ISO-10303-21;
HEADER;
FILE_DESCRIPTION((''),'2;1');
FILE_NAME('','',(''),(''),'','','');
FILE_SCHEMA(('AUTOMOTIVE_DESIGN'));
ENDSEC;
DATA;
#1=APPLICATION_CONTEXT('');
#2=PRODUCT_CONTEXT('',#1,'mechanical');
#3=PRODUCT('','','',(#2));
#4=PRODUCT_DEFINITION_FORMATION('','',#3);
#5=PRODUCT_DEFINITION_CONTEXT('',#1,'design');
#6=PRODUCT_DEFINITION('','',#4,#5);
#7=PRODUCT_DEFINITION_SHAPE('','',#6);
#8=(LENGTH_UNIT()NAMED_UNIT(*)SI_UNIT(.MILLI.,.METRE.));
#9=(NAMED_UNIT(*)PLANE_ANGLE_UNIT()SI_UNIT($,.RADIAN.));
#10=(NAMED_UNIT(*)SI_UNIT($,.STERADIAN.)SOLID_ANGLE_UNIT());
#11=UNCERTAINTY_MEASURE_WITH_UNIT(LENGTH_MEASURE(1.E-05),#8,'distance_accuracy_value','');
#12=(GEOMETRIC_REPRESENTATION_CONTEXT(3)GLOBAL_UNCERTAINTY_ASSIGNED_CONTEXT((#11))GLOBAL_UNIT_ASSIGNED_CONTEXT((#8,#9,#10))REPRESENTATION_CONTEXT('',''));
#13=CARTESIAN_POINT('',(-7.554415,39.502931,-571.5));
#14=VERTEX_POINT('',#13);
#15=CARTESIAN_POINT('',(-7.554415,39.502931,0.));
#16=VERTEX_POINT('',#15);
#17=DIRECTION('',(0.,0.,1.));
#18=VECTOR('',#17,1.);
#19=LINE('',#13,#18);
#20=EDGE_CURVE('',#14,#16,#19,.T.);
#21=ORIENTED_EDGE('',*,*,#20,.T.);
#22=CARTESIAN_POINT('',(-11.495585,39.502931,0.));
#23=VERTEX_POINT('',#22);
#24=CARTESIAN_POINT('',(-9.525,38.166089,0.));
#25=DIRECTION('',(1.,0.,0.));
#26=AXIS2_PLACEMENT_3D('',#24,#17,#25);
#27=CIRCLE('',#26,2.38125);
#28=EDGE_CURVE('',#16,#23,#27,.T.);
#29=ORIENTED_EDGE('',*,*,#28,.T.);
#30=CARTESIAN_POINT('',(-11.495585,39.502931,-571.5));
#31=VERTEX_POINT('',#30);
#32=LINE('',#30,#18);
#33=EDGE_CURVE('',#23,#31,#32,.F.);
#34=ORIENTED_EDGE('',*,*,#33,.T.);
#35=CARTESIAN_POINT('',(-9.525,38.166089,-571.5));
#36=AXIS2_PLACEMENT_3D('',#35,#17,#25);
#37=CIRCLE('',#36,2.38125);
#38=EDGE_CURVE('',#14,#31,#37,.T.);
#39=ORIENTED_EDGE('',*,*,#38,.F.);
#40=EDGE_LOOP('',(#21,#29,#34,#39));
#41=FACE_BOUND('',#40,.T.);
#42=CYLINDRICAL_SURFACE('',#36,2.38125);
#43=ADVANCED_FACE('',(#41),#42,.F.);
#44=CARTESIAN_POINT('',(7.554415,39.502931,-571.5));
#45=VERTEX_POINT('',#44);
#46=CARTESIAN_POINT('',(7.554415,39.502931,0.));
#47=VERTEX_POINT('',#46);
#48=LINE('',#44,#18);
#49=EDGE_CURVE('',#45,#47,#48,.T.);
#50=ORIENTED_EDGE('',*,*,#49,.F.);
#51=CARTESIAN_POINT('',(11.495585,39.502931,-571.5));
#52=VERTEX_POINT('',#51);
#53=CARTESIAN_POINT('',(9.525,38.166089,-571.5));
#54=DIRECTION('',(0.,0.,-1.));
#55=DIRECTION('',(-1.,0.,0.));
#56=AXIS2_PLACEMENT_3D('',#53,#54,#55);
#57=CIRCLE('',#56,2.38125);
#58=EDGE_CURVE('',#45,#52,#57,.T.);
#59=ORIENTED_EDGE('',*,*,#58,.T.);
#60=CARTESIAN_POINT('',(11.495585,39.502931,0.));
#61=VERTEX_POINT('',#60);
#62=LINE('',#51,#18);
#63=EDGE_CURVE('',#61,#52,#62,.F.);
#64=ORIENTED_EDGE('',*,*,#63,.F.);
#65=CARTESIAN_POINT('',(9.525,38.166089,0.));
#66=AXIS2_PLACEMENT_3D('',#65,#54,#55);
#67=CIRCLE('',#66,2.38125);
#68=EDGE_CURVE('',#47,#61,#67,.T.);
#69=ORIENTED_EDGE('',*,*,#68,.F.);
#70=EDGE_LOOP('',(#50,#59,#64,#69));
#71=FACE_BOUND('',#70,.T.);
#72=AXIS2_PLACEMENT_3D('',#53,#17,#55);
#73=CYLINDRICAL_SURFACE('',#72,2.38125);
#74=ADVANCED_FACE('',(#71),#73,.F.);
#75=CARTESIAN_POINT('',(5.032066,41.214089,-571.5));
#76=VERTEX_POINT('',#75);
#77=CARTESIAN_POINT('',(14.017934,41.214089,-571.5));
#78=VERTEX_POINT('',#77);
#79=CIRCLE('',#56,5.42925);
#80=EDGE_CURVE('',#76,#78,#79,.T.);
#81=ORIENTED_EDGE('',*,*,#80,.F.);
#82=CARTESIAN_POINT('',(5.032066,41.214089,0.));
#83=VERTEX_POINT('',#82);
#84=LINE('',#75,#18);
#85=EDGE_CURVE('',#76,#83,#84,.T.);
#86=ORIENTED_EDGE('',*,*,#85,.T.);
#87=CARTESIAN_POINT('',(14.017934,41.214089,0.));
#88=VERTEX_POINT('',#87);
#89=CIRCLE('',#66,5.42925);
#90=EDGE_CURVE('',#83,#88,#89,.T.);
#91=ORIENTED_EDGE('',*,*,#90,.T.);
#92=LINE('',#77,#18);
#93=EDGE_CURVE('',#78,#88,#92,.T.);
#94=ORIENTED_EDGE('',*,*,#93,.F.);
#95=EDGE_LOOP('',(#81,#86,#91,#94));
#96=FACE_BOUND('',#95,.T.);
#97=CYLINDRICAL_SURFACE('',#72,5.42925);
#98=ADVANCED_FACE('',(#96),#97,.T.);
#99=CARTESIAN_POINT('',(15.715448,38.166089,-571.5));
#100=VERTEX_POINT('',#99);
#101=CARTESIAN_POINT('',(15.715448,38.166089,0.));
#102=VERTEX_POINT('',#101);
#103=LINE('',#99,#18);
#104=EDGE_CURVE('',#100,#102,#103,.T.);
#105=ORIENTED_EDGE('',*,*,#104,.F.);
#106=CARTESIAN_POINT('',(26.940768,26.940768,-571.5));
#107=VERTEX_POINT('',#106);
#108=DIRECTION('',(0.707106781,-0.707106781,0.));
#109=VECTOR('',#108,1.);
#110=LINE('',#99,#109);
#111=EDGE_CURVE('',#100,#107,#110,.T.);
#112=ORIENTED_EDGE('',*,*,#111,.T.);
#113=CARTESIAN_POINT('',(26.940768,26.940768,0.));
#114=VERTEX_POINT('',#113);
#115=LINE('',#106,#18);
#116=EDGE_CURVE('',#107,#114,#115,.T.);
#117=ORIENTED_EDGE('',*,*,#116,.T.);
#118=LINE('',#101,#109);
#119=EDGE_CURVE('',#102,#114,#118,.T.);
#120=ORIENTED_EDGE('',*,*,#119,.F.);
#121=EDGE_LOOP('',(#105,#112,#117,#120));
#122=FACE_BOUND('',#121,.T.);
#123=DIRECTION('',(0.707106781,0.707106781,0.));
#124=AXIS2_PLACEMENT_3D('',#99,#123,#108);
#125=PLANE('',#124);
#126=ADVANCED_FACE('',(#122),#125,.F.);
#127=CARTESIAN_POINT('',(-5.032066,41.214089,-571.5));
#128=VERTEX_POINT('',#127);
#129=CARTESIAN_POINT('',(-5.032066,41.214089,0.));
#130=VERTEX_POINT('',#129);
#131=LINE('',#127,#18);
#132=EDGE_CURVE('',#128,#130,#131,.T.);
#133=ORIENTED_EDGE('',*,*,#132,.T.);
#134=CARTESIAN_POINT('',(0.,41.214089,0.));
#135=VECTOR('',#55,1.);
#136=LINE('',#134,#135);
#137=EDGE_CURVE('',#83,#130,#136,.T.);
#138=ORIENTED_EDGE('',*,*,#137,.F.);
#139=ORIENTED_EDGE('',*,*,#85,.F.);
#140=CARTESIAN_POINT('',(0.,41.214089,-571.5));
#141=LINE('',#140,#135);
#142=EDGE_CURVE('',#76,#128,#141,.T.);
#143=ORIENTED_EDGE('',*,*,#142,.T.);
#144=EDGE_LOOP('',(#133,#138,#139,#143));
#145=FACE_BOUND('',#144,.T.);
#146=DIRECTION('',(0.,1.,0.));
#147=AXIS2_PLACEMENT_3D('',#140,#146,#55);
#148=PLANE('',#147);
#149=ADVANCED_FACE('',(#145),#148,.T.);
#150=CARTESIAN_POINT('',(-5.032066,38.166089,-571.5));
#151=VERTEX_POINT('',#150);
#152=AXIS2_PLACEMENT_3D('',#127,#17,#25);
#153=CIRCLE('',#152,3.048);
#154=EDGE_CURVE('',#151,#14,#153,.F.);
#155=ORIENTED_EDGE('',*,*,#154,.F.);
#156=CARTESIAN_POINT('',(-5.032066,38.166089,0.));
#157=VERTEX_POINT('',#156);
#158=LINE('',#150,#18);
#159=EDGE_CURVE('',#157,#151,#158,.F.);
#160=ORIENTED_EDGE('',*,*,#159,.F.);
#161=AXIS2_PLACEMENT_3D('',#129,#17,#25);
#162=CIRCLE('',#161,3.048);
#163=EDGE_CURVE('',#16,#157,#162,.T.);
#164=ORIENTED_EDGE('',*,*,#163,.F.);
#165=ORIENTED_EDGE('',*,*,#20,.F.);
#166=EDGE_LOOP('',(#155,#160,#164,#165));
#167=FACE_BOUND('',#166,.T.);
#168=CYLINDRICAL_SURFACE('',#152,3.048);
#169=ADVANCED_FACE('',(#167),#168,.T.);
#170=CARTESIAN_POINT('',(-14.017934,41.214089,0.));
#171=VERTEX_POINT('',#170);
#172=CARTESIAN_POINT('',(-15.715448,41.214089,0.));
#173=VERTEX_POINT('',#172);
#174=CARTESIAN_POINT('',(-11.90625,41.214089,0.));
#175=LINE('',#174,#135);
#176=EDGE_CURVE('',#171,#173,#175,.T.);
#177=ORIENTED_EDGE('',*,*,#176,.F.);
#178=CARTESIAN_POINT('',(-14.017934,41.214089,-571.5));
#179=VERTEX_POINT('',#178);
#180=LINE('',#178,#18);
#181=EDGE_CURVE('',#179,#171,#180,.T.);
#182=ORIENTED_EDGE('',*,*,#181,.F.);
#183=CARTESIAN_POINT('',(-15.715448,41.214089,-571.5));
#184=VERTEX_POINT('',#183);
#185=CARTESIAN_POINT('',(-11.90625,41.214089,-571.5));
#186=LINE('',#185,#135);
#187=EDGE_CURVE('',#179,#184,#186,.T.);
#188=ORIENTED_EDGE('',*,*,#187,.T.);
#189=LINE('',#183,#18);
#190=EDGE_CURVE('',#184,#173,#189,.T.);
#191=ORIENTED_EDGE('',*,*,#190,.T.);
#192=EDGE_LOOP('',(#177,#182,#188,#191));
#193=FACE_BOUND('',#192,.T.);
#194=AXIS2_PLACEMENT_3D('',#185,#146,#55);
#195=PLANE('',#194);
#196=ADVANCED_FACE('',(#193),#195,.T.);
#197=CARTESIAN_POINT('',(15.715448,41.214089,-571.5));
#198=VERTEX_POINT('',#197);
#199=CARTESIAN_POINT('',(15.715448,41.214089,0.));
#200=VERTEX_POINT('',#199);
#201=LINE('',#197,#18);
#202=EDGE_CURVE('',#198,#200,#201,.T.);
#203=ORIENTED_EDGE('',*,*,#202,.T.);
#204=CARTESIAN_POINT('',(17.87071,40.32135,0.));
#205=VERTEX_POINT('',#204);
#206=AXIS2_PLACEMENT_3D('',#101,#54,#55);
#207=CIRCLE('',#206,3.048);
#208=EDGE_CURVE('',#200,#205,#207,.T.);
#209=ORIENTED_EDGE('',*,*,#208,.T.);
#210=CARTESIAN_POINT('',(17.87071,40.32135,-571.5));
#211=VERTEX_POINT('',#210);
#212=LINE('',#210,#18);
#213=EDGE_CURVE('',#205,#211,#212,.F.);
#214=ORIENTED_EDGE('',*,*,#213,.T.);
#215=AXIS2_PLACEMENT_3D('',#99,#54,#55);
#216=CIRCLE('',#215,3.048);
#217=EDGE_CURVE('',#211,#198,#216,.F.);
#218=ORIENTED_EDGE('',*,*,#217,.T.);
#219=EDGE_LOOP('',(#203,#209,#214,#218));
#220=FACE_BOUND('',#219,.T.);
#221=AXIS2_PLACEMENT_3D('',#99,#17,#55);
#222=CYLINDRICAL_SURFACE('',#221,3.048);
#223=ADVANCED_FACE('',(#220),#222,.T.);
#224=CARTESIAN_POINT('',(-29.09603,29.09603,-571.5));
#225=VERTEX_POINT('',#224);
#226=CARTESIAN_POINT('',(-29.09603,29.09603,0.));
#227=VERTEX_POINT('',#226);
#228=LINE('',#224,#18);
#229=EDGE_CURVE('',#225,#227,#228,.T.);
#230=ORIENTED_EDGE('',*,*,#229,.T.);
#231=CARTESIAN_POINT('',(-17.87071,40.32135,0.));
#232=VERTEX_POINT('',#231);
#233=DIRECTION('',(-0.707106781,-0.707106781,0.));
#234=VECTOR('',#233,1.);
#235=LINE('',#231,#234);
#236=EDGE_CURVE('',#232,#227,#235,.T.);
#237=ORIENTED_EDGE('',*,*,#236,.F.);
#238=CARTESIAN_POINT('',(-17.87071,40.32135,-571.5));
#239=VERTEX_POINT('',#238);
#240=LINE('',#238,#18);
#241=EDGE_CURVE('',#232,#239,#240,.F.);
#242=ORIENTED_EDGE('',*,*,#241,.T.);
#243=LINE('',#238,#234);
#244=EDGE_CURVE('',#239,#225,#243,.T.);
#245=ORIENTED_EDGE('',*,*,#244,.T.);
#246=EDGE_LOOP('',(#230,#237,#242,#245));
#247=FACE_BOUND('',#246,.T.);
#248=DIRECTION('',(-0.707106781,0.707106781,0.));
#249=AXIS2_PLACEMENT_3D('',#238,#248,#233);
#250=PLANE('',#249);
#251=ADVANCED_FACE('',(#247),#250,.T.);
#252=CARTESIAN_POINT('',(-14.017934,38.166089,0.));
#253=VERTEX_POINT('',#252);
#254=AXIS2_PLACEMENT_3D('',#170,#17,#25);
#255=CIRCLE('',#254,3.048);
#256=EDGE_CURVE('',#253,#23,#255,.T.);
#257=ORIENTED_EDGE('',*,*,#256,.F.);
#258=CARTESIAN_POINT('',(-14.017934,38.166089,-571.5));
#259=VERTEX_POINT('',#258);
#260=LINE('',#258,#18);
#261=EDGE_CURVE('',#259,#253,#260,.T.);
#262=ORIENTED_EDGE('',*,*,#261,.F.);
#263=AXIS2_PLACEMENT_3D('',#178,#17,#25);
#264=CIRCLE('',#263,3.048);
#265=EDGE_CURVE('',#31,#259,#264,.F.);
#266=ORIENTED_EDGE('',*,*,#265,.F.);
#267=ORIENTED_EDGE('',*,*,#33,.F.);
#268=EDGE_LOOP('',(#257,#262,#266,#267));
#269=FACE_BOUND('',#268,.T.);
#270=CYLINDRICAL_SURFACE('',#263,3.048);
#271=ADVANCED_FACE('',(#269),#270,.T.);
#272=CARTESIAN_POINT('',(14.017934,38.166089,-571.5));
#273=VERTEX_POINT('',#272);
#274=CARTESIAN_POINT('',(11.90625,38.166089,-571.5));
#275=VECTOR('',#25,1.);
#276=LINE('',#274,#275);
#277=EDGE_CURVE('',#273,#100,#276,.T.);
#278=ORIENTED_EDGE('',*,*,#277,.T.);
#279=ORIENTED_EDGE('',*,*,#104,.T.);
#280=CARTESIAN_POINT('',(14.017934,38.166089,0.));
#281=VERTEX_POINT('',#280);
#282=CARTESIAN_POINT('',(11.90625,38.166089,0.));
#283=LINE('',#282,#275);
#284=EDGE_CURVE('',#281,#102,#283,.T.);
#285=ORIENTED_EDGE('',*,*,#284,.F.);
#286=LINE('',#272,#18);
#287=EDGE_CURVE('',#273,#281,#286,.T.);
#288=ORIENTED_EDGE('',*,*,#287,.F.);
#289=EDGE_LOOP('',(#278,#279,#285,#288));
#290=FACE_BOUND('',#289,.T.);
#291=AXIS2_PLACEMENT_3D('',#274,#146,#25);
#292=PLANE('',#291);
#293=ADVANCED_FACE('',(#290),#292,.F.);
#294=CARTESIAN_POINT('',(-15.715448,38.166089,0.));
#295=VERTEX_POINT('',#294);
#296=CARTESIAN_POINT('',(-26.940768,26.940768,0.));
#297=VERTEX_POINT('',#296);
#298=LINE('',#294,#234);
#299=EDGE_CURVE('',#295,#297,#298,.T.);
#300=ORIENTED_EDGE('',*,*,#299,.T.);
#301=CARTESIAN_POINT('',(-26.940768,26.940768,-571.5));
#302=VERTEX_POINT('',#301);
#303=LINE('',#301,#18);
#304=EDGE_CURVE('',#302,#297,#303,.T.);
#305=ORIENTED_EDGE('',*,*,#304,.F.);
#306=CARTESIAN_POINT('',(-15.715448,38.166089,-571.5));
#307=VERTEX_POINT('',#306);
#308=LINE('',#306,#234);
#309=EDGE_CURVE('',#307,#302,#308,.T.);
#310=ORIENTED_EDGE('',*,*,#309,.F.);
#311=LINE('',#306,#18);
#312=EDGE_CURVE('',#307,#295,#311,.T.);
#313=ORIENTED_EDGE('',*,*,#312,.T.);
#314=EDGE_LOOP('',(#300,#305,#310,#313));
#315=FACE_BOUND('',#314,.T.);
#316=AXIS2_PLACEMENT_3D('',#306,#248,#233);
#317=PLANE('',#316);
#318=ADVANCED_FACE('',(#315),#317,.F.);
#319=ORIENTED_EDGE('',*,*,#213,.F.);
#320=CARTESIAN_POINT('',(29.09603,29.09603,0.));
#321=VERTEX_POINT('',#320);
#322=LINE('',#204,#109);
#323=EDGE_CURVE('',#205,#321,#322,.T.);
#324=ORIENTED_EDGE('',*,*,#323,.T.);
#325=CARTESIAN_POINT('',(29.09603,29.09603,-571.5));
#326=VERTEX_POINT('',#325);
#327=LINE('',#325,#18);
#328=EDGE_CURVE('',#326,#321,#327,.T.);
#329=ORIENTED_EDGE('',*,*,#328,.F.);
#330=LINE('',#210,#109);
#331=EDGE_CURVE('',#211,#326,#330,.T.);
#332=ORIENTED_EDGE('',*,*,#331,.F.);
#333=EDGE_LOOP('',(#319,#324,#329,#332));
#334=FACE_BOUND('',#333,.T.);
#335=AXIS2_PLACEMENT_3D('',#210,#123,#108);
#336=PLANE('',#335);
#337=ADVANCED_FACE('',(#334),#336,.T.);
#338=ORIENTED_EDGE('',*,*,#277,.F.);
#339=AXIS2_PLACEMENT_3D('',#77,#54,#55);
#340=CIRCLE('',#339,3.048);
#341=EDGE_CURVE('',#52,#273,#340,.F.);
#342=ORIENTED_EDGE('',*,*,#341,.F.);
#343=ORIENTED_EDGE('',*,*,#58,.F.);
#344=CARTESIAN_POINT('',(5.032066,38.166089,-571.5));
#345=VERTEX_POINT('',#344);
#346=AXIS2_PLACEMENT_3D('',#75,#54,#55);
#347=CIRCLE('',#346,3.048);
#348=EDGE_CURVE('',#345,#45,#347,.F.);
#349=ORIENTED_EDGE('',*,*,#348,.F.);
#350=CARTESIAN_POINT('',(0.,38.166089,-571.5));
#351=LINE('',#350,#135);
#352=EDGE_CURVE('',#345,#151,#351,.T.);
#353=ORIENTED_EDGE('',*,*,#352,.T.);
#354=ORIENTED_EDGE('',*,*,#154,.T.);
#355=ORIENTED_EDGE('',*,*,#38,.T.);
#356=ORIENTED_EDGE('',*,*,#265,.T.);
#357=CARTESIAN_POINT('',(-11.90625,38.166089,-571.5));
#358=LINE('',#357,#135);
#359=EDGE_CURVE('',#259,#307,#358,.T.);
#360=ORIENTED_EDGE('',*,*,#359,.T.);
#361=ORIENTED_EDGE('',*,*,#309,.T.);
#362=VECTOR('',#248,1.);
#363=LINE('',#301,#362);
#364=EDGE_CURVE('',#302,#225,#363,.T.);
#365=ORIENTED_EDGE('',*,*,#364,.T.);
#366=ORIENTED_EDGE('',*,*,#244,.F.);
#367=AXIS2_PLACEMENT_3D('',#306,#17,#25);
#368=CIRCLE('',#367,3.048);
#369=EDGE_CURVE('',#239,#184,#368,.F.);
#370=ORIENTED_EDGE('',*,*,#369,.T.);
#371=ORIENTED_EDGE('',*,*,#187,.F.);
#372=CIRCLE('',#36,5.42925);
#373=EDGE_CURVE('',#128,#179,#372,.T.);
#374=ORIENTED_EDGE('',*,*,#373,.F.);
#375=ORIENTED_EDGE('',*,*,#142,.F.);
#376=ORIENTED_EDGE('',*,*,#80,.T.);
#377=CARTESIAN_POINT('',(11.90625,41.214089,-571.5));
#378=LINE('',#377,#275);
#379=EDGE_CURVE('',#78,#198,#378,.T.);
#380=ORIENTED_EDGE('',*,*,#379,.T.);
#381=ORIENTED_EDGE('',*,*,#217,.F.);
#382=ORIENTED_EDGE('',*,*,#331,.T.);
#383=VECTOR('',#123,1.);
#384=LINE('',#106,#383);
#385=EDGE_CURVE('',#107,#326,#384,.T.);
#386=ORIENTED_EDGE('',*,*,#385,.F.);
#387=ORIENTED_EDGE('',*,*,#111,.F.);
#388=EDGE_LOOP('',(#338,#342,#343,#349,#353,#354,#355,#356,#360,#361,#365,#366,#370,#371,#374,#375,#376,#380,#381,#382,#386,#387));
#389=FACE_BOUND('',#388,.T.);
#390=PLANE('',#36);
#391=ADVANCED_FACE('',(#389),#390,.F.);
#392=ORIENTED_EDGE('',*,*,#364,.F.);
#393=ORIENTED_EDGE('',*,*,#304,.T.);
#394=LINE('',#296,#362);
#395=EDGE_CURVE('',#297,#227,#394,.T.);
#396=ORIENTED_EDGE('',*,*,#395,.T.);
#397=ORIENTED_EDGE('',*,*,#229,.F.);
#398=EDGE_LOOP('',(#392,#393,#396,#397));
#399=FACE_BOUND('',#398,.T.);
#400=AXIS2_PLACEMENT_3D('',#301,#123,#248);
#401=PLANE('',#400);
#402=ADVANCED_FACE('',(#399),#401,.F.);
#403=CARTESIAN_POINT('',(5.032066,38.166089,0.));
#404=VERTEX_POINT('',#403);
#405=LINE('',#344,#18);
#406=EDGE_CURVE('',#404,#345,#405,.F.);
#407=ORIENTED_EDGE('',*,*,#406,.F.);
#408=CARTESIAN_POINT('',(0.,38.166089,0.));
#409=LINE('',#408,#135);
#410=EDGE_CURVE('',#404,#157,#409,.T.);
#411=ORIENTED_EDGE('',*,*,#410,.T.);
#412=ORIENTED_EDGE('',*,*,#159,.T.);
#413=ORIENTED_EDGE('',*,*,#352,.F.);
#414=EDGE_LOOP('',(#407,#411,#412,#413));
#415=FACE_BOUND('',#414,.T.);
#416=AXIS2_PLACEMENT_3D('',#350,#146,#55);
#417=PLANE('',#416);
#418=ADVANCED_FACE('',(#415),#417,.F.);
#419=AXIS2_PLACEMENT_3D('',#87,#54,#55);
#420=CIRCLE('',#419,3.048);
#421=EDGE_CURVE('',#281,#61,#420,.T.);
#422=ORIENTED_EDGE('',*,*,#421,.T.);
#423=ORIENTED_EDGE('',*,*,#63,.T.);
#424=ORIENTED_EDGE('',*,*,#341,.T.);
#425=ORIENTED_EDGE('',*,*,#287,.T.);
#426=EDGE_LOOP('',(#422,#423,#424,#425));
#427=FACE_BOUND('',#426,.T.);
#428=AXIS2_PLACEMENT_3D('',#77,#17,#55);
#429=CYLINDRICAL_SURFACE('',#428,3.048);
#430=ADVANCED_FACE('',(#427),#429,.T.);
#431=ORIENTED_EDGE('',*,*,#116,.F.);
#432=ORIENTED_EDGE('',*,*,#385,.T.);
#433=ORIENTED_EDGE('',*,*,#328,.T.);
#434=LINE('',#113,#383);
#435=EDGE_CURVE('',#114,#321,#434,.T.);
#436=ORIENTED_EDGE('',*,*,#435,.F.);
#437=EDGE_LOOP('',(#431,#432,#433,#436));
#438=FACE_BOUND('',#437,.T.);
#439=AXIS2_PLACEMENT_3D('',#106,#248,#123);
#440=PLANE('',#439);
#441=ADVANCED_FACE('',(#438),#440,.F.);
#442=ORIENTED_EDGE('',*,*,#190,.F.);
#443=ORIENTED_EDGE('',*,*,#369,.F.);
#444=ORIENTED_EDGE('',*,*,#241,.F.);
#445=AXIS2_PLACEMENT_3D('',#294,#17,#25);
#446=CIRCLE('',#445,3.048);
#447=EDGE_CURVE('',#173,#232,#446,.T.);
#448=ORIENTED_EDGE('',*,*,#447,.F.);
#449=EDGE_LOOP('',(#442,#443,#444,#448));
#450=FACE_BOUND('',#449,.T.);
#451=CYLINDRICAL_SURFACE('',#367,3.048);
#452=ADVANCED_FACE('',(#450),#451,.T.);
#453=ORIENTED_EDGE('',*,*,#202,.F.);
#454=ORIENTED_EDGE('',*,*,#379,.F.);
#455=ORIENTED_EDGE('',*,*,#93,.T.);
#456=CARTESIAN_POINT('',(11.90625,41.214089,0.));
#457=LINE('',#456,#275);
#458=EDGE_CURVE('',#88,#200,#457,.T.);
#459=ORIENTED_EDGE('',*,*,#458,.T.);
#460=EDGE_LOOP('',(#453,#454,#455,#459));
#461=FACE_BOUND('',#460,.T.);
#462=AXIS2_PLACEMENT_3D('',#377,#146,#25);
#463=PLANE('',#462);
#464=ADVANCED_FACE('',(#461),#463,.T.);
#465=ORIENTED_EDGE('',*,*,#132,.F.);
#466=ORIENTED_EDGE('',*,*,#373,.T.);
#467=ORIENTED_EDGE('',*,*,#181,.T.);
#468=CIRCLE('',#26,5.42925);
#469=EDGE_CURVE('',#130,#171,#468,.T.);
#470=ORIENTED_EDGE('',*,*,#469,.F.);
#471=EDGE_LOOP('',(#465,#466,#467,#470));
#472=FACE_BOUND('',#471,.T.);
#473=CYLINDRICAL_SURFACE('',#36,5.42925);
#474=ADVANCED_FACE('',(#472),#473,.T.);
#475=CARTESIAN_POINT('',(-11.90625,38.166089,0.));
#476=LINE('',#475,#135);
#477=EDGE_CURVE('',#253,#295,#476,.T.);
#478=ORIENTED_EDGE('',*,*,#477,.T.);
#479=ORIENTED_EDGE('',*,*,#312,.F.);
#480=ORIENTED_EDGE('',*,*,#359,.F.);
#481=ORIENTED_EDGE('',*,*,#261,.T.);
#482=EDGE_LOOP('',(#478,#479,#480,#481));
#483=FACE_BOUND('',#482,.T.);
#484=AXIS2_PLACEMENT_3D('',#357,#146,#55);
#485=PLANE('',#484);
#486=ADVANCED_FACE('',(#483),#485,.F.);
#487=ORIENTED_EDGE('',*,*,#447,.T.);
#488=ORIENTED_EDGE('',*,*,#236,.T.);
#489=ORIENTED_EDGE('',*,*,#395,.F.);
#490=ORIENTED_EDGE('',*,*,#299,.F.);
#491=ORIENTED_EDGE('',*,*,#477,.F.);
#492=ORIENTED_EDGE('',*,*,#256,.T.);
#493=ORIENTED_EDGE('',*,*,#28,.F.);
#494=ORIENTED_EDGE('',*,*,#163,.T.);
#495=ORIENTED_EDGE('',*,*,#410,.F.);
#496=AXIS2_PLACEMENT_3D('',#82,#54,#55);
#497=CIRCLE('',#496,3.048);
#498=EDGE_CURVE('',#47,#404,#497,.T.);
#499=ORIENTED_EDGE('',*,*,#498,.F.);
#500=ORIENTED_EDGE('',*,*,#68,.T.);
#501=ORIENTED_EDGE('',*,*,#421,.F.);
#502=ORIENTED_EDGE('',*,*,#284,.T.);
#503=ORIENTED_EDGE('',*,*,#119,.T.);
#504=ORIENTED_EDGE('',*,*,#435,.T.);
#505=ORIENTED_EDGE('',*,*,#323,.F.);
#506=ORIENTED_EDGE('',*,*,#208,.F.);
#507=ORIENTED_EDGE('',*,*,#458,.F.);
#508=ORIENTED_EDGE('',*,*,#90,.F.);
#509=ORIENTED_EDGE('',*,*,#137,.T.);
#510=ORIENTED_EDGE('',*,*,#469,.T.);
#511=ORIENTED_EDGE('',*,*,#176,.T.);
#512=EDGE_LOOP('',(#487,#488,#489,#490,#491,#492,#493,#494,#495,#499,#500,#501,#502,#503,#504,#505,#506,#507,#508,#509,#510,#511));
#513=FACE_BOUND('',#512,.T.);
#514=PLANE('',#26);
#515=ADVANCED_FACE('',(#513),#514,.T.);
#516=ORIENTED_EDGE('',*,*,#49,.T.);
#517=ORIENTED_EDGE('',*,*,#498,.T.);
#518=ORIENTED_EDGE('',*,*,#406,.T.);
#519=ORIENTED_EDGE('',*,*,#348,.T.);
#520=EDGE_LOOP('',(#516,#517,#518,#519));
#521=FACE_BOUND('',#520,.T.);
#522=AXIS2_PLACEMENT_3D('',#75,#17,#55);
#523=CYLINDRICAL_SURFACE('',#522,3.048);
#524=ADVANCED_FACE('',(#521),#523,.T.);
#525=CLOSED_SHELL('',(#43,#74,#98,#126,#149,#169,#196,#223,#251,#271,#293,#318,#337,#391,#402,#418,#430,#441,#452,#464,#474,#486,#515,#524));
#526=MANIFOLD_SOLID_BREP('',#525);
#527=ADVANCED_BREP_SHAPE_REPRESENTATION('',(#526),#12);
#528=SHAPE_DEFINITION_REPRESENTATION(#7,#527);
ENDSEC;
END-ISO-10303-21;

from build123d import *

# Parameters (mm, degrees)
EXTRUDE_THIN1_DEPTH = 571.5
FILLET1_R           = 3.048


with BuildPart() as part:
    # Sketch1 → Extrude-Thin1 (new body)
    with BuildSketch(Plane.XY):
        with BuildLine():
            Line((0, 38.166088515), (-7.14375, 38.166088515))
            ThreePointArc((-7.14375, 38.166088515), (-9.525, 40.547338515), (-11.90625, 38.166088515))
            Line((-11.90625, 38.166088515), (-15.715448212, 38.166088515))
            Line((-15.715448212, 38.166088515), (-26.940768363, 26.940768363))
            Line((-26.940768363, 26.940768363), (-29.096029832, 29.096029832))
            Line((-29.096029832, 29.096029832), (-16.97797115, 41.214088515))
            Line((-16.97797115, 41.214088515), (-14.017933514, 41.214088515))
            ThreePointArc((-14.017933514, 41.214088515), (-9.525, 43.595338515), (-5.032066486, 41.214088515))
            Line((-5.032066486, 41.214088515), (0, 41.214088515))
            Line((0, 41.214088515), (0, 38.166088515))
        make_face()
    extrude(amount=-EXTRUDE_THIN1_DEPTH)

    # Fillet1
    fillet1_edges = [part.edges().sort_by_distance(p)[0] for p in [
        (-16.97797115, 41.214088515, -285.75),
        (-7.14375, 38.166088515, -285.75),
        (-11.90625, 38.166088515, -285.75),
    ]]
    fillet(fillet1_edges, radius=FILLET1_R)

    # Mirror1: part across plane


with BuildPart() as part_1:
    add(part.part)
    add(part.part.mirror(Plane(origin=(0, 41.214088515, -571.5), x_dir=(0, 0, 1), z_dir=(-1, 0, 0))))


solid = part_1.part
